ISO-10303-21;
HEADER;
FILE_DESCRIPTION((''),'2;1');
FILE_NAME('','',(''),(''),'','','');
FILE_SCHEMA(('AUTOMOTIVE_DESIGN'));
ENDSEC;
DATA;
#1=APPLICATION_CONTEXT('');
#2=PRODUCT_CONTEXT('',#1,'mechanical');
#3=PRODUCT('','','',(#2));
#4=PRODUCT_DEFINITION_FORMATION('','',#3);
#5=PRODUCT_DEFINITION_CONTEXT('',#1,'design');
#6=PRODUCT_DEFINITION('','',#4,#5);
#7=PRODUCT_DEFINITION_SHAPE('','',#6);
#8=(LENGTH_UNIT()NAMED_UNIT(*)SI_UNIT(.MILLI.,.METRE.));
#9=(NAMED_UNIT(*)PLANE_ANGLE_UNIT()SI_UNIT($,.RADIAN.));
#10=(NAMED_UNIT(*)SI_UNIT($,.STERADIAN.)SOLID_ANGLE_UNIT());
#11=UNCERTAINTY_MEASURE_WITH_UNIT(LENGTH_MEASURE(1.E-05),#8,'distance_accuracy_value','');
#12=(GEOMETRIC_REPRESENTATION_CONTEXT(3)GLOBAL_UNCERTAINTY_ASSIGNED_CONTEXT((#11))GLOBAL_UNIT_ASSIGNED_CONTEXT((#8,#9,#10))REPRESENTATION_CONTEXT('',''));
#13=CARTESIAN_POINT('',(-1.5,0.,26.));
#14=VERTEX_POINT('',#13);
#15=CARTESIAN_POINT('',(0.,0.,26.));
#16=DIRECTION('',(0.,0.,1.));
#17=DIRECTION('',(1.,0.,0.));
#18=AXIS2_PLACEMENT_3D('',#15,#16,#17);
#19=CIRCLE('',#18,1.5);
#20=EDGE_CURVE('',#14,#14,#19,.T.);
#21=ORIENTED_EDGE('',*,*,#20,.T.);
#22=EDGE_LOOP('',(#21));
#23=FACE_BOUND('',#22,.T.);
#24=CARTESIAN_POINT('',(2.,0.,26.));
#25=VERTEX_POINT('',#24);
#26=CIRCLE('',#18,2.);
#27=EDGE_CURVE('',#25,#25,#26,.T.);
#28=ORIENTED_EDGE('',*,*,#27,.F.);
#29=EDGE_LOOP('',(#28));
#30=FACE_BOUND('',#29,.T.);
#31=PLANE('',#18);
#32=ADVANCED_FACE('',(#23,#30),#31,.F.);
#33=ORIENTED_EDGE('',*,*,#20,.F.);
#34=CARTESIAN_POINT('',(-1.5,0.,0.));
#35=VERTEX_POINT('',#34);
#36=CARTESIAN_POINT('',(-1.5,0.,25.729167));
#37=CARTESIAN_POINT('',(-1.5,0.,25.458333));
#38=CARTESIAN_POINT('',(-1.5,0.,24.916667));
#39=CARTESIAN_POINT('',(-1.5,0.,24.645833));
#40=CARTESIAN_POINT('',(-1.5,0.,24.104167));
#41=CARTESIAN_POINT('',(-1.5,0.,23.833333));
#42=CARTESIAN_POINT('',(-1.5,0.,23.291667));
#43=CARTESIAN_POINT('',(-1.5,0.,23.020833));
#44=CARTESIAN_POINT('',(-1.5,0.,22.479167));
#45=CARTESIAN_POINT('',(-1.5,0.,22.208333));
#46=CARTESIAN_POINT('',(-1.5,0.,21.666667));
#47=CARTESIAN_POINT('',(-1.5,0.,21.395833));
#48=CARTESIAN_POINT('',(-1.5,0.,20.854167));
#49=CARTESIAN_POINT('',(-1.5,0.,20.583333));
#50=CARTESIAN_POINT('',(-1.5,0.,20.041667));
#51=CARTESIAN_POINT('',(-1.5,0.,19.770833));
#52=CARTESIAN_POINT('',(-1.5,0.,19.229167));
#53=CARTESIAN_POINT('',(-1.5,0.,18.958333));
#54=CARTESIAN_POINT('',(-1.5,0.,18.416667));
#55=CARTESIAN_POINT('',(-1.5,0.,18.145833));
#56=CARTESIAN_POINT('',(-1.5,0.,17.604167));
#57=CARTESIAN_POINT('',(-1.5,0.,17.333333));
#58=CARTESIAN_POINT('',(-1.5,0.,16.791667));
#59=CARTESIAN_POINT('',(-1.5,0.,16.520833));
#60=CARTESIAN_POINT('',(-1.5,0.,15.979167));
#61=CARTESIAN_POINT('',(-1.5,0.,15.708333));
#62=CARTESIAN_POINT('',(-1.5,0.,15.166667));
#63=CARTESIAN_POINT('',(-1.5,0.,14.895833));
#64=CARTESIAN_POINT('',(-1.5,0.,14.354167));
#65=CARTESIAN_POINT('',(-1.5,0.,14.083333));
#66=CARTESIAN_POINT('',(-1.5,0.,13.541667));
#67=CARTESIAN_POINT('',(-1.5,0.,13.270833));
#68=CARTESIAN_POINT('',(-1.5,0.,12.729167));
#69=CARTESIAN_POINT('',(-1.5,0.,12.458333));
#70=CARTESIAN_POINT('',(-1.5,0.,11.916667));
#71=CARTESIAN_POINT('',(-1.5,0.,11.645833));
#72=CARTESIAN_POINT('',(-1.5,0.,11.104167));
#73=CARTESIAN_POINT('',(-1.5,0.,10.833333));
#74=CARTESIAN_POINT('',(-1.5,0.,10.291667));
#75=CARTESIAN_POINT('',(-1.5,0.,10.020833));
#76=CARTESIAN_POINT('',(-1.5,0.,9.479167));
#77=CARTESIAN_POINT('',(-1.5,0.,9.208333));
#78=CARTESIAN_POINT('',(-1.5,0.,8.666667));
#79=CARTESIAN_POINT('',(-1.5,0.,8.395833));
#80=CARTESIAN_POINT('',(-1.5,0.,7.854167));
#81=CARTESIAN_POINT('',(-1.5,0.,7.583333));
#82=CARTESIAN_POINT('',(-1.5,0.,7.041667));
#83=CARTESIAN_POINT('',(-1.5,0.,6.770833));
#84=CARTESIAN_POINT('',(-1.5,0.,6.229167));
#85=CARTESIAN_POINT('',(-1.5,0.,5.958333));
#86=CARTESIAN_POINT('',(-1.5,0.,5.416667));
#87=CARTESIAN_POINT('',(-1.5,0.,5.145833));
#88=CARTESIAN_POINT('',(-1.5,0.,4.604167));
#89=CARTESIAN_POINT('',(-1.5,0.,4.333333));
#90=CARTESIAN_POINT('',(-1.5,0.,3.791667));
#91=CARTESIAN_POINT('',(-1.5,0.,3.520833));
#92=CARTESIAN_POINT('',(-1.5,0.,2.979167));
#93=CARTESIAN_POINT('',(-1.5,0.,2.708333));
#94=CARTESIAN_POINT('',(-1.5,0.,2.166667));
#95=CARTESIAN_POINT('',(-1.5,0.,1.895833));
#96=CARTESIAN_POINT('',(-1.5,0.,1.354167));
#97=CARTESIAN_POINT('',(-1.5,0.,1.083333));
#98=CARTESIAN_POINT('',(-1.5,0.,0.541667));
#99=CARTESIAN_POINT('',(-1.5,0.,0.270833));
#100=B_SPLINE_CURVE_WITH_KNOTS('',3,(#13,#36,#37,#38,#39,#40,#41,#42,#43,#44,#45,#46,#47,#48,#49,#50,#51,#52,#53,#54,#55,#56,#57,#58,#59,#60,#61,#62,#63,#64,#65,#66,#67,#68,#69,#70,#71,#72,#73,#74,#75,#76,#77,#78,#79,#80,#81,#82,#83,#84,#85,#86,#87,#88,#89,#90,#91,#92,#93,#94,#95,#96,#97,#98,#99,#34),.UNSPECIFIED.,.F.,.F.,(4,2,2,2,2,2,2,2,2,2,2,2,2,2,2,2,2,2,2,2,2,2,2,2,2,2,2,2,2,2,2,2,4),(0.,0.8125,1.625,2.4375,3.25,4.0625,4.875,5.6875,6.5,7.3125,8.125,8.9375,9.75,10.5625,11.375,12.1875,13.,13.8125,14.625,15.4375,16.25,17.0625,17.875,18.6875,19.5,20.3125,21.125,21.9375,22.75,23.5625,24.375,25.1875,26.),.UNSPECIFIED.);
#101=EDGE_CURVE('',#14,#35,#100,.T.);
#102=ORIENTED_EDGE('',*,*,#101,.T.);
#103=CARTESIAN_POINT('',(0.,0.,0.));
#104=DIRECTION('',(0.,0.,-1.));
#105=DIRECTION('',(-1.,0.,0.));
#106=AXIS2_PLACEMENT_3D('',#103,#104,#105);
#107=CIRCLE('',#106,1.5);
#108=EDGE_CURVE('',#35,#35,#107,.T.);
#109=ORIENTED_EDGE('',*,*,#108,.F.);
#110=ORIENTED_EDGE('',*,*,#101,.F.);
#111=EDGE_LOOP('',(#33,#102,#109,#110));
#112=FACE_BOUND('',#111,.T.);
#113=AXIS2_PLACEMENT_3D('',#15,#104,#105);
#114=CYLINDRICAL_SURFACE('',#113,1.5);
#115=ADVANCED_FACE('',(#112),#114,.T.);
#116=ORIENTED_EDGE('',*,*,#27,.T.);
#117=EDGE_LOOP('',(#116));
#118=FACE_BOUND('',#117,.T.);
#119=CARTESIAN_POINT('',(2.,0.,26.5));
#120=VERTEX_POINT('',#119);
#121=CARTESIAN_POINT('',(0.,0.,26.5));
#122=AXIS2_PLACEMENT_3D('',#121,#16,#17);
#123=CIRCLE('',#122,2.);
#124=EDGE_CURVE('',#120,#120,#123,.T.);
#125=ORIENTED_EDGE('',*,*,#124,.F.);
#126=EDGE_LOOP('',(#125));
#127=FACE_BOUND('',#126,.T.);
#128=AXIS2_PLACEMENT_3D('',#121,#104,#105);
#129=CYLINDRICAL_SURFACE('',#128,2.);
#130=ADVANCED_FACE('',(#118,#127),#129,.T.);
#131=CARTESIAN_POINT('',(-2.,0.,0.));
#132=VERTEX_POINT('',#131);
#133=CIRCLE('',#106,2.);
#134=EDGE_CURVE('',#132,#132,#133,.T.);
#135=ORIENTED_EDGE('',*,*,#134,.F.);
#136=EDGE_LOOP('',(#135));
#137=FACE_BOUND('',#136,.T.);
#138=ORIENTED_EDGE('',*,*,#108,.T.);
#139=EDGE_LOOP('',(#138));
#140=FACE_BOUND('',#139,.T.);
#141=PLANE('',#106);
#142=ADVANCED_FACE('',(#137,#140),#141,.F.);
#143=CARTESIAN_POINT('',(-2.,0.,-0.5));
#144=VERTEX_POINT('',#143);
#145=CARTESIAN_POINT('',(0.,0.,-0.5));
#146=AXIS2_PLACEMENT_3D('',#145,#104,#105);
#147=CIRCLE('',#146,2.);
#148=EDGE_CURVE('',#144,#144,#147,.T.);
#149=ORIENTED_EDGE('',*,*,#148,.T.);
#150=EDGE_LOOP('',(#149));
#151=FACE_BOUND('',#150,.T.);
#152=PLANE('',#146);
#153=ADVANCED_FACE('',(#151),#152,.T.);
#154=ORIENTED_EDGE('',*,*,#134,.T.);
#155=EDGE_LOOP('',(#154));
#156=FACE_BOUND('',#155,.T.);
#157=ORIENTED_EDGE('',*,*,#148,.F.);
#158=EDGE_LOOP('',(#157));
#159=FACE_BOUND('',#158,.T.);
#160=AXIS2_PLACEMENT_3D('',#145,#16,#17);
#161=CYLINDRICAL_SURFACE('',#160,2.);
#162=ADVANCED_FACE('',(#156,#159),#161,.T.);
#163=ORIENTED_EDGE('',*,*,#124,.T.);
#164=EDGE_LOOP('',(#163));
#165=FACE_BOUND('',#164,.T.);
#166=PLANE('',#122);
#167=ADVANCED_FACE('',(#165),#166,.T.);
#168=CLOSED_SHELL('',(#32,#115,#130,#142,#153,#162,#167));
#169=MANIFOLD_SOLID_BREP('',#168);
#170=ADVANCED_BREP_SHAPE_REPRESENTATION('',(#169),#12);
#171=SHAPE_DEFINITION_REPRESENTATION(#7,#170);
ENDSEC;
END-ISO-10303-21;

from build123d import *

# Parameters (mm, degrees)
ESQUISSE1_R        = 1.5
BOSS_EXTRU_1_DEPTH = 26
ESQUISSE2_R        = 2
BOSS_EXTRU_2_DEPTH = 0.5
BOSS_EXTRU_4_START = 0.5
ESQUISSE4_R        = 2
BOSS_EXTRU_4_DEPTH = 0.5


with BuildPart() as part:
    # Esquisse1 → Boss.-Extru.1 (new body)
    with BuildSketch(Plane.XY):
        with Locations(Location((0, 0, 0), (0, 0, 180))):
            Circle(ESQUISSE1_R)
    extrude(amount=BOSS_EXTRU_1_DEPTH)

    # Esquisse2 → Boss.-Extru.2 (add)
    with BuildSketch(Plane.XY.offset(26)):
        Circle(ESQUISSE2_R)
    extrude(amount=BOSS_EXTRU_2_DEPTH)

    # Esquisse4 → Boss.-Extru.4 (add)
    with BuildSketch(Plane(origin=(0, 0, 0), x_dir=(-1, 0, 0), z_dir=(0, 0, -1)).offset(BOSS_EXTRU_4_START)):
        with Locations(Location((0, 0, 0), (0, 0, 180))):
            Circle(ESQUISSE4_R)
    extrude(amount=-BOSS_EXTRU_4_DEPTH)


solid = part.part
